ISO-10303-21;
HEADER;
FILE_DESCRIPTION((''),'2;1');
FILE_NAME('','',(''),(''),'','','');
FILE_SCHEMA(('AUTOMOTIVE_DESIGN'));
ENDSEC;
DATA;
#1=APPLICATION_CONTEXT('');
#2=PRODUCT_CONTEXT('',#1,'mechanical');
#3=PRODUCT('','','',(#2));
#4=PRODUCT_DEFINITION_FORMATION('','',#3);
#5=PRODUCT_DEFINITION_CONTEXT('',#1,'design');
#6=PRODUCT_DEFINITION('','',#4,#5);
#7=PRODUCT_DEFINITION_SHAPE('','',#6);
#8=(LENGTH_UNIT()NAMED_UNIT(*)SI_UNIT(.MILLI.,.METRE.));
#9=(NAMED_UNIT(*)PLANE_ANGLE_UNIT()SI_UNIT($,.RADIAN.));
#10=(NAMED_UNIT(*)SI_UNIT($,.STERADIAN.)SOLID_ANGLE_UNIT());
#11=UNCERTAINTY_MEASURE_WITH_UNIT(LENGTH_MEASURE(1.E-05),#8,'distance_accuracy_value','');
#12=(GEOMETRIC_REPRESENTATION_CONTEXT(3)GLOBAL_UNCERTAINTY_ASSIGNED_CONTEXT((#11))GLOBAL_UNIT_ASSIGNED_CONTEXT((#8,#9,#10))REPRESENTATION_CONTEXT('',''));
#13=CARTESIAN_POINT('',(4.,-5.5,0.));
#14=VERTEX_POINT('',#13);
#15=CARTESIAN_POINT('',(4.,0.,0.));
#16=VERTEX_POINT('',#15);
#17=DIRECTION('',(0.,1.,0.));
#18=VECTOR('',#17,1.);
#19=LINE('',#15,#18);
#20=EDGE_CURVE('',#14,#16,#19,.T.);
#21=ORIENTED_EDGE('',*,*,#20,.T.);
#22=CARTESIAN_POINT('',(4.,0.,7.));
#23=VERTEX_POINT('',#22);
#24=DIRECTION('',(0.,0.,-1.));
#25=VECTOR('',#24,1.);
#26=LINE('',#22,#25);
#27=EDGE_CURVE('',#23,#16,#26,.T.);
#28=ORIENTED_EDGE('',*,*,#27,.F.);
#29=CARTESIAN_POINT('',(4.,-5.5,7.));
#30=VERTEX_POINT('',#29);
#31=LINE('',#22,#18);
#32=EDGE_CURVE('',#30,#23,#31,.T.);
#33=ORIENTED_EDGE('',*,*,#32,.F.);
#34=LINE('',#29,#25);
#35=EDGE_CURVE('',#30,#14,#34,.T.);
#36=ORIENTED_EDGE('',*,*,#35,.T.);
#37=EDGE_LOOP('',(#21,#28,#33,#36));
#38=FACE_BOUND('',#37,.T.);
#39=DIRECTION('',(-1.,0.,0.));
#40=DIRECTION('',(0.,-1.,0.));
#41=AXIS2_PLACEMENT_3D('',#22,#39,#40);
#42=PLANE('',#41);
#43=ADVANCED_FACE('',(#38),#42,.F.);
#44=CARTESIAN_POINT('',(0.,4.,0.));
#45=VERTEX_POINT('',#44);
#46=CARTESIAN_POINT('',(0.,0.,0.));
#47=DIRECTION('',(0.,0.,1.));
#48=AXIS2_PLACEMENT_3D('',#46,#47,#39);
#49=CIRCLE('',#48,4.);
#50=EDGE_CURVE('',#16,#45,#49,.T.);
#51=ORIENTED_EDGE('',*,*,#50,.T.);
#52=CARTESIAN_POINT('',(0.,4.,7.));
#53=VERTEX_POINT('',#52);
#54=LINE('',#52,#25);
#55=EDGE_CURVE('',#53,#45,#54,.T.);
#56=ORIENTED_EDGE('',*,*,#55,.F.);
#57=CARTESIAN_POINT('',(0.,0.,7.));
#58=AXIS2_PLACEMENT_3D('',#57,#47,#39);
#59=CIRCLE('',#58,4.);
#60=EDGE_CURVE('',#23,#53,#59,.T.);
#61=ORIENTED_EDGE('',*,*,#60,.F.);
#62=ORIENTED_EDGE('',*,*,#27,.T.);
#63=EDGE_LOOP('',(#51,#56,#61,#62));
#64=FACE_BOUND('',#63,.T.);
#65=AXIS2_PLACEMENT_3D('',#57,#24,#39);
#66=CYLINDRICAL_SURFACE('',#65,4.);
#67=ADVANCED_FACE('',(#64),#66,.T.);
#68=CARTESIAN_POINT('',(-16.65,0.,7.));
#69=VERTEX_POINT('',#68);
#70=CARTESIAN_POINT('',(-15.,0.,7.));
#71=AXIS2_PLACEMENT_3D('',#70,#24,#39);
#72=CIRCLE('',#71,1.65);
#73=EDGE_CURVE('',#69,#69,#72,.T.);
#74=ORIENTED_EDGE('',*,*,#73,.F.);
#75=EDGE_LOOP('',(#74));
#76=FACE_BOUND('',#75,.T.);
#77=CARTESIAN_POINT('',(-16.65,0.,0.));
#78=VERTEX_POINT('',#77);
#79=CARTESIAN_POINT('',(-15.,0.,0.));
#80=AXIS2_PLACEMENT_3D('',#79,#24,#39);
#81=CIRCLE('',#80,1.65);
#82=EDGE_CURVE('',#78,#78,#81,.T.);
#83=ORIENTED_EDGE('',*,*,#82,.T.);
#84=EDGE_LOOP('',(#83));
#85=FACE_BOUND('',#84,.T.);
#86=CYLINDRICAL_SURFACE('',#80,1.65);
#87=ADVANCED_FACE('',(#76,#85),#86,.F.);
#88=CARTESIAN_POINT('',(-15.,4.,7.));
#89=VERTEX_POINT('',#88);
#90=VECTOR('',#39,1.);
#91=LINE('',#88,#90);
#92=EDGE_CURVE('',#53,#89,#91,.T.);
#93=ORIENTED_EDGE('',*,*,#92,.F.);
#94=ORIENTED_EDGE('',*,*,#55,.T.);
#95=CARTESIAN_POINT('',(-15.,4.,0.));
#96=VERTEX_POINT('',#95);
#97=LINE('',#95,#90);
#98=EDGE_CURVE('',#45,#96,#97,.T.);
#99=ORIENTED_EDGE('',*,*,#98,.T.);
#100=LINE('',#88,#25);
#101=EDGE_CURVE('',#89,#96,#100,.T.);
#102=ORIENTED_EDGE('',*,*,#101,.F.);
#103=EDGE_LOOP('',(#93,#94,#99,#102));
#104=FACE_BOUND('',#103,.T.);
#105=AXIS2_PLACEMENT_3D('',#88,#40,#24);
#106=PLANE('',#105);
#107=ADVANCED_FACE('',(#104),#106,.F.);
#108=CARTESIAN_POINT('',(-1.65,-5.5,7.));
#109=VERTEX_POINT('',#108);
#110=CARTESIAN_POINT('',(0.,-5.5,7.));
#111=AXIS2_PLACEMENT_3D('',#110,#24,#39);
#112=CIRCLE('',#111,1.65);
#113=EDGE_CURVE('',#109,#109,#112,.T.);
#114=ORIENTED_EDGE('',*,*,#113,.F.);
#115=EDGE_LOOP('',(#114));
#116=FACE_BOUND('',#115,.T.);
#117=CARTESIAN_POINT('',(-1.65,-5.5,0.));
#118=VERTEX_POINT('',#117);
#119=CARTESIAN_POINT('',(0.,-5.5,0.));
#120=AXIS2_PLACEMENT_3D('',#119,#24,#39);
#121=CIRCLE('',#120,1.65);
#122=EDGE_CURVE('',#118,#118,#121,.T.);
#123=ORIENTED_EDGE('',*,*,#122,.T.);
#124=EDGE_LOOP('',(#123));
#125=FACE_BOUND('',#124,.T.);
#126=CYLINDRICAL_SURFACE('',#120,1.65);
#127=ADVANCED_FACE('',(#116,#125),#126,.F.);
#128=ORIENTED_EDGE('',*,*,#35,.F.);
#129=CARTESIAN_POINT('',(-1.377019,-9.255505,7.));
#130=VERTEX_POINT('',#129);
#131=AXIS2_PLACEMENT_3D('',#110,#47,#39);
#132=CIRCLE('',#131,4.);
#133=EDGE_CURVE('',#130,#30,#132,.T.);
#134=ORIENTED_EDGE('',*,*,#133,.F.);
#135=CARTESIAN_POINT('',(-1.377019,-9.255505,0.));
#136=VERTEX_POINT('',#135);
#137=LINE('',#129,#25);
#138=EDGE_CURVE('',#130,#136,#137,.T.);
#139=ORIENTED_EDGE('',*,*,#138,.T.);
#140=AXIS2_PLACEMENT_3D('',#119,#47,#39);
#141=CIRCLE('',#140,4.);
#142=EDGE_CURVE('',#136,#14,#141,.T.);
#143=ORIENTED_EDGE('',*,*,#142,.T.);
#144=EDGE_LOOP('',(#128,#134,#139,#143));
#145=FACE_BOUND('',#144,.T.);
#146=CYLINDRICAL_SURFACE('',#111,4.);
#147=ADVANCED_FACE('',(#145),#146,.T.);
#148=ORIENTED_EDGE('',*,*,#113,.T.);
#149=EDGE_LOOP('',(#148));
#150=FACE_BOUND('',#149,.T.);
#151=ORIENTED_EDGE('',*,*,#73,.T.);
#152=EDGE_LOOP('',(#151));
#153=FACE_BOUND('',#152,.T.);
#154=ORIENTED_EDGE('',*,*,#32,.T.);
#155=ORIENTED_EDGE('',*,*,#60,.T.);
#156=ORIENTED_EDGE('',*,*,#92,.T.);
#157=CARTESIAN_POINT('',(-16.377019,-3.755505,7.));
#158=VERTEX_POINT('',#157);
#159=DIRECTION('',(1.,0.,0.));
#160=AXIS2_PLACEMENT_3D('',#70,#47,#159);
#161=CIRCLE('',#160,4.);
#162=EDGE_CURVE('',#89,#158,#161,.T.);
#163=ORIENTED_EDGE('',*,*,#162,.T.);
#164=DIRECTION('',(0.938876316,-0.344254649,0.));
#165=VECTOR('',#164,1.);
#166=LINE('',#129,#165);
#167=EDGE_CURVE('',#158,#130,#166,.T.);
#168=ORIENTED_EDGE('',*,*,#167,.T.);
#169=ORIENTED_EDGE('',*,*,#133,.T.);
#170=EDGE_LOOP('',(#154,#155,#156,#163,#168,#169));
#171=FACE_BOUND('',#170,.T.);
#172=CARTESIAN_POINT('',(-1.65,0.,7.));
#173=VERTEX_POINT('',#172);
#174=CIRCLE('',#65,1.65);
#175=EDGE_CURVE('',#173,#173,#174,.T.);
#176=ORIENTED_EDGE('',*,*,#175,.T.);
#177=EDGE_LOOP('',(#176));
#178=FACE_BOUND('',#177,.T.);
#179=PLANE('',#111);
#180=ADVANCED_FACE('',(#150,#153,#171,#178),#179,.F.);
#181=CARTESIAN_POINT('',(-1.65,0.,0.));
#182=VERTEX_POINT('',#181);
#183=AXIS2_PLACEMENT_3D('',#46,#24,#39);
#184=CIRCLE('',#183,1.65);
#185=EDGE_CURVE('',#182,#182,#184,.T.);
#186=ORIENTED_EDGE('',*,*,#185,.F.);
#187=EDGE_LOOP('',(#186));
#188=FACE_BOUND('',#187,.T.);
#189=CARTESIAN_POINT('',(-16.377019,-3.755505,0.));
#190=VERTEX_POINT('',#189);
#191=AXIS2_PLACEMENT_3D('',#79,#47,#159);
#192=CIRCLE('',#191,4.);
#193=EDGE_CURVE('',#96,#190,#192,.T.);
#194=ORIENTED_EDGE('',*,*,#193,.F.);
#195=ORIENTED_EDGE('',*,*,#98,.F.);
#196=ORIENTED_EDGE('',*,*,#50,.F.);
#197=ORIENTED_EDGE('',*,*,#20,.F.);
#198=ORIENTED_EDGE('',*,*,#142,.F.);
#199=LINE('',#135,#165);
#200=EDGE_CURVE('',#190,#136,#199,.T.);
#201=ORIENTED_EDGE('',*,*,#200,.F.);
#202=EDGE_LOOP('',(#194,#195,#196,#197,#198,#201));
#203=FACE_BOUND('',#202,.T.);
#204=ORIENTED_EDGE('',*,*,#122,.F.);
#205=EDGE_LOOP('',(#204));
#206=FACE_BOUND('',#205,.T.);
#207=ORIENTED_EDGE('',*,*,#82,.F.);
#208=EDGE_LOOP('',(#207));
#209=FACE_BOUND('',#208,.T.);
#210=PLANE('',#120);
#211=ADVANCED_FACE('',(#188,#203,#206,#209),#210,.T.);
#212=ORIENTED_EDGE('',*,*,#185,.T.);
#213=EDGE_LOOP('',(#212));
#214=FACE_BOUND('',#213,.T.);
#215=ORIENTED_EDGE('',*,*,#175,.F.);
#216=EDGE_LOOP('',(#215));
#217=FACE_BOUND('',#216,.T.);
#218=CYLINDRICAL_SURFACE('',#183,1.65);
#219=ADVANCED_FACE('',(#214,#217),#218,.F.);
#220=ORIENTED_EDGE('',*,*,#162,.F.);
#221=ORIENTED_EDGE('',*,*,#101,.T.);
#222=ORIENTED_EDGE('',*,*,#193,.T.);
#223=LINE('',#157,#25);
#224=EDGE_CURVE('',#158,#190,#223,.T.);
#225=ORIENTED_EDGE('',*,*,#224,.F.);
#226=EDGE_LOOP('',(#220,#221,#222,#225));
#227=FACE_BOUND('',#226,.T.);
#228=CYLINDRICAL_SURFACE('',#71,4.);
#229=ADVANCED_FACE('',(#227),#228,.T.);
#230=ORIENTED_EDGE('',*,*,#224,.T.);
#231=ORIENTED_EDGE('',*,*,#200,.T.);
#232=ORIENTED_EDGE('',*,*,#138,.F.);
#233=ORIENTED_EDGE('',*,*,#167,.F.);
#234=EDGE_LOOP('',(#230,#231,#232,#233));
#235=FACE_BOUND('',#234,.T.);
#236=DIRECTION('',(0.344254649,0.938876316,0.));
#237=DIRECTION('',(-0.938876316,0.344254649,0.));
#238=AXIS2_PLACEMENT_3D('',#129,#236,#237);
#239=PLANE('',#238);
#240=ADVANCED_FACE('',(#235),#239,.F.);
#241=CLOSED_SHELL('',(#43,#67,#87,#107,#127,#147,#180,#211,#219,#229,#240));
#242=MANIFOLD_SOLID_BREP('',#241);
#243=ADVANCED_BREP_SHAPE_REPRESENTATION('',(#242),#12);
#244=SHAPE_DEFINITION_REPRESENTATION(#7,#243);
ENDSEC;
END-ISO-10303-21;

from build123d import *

# Parameters (mm, degrees)
BOSS_EXTRU_1_DEPTH = 7
TROU_TARAUD_M41_D  = 3.3


with BuildPart() as part:
    # Esquisse1 → Boss.-Extru.1 (new body)
    with BuildSketch(Plane.XY):
        with BuildLine():
            Line((-15, 4), (0, 4))
            ThreePointArc((0, 4), (2.828427125, 2.828427125), (4, 0))
            Line((4, 0), (4, -5.5))
            ThreePointArc((4, -5.5), (2.29040669, -8.779334871), (-1.377018597, -9.255505264))
            Line((-1.377018597, -9.255505264), (-16.377018597, -3.755505264))
            ThreePointArc((-16.377018597, -3.755505264), (-18.938402027, 0.699277822), (-15, 4))
        make_face()
    extrude(amount=BOSS_EXTRU_1_DEPTH)

    # Trou taraudé M41 (through all)
    with Locations(Plane(origin=(0, 0, 0), x_dir=(1, 0, 0), z_dir=(0, 0, -1))):
        with Locations((-15, 0), (0, 0), (0, 5.5)):
            Hole(TROU_TARAUD_M41_D / 2)


solid = part.part
